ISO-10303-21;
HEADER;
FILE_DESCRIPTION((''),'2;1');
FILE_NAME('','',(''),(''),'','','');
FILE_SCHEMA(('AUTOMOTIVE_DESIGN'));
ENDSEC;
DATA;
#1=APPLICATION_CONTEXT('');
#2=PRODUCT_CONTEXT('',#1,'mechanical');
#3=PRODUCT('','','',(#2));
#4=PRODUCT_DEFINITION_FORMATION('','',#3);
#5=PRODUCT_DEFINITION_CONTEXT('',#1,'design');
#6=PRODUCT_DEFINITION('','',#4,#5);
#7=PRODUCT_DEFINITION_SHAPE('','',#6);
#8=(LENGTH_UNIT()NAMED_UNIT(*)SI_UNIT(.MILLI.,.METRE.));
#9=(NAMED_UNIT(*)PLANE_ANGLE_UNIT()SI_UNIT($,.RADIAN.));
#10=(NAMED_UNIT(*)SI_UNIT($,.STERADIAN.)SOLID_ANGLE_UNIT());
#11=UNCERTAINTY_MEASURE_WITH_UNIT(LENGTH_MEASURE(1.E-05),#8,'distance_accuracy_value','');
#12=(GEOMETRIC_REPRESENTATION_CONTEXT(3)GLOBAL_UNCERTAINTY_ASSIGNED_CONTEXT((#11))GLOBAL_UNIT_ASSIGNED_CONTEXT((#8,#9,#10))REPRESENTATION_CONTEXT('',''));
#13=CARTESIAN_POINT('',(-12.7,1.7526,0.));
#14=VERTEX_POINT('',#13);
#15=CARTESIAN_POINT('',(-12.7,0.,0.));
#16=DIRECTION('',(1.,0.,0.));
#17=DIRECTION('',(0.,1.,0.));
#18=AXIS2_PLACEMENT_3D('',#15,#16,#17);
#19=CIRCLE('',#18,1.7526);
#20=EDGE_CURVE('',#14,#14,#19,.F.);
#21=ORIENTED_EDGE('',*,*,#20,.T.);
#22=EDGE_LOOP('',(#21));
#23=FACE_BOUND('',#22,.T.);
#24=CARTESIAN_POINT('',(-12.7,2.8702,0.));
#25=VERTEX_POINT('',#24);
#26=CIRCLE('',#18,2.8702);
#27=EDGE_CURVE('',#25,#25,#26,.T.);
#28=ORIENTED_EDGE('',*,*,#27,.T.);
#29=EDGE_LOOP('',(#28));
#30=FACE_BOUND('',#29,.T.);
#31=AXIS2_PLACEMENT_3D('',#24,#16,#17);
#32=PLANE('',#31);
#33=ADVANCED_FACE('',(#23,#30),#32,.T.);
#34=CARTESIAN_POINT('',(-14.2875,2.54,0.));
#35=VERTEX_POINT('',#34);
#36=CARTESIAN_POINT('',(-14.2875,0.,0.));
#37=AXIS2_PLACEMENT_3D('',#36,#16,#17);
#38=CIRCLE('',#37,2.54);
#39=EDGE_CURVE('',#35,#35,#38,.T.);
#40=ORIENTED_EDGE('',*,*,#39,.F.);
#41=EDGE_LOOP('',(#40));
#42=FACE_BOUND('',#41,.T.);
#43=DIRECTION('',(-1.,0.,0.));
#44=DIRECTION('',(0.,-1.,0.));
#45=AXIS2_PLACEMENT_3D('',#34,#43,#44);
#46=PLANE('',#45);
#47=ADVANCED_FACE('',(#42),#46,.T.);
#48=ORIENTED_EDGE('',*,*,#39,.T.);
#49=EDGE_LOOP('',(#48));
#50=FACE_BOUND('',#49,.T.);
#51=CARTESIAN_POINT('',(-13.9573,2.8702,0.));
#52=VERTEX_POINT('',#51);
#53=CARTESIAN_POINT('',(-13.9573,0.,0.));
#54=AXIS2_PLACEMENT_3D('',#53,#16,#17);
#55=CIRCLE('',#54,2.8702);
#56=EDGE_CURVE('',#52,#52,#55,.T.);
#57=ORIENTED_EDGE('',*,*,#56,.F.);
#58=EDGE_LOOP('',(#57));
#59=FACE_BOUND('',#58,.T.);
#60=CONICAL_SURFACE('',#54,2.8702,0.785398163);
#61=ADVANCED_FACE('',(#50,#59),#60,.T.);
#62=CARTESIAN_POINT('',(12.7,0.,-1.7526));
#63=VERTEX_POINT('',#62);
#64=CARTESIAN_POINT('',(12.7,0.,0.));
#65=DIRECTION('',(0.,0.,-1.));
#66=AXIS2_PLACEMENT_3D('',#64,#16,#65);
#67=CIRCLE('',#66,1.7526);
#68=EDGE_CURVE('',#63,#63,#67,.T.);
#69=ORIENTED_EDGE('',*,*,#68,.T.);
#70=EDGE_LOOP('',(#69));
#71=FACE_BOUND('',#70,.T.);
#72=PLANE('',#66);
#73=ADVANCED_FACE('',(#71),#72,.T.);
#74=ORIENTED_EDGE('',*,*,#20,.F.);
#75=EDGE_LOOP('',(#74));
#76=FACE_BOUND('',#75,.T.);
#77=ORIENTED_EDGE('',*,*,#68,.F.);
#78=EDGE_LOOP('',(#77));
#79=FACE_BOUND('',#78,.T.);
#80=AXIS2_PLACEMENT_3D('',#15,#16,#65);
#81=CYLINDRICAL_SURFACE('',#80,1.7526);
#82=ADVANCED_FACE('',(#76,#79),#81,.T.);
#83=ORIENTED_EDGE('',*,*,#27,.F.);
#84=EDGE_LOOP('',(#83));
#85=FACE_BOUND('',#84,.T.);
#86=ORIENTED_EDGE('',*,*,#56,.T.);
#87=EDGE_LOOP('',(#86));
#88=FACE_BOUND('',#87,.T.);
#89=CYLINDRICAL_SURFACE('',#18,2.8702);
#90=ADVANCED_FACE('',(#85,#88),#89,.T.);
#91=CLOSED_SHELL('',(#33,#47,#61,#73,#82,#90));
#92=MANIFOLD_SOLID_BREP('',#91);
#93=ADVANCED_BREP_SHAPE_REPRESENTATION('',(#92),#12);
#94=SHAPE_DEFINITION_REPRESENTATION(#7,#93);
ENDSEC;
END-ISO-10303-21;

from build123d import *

# Parameters (mm, degrees)
SKETCH2_R           = 1.7526
BOSS_EXTRUDE1_DEPTH = 25.4


with BuildPart() as part:
    # Sketch2 → Boss-Extrude1 (new body)
    with BuildSketch(Plane(origin=(12.7, 0, 0), x_dir=(0, 0, -1), z_dir=(1, 0, 0))):
        Circle(SKETCH2_R)
    extrude(amount=-BOSS_EXTRUDE1_DEPTH)

    # Sketch6 → Revolve1 (revolve)
    with BuildSketch(Plane.XY):
        Polygon((-13.9573, 2.8702), (-14.2875, 2.54), (-14.2875, 0), (-12.7, 0), (-12.7, 2.8702), align=None)
    revolve(axis=Axis((-12.7, 0, 0), (-1, 0, 0)))


solid = part.part
